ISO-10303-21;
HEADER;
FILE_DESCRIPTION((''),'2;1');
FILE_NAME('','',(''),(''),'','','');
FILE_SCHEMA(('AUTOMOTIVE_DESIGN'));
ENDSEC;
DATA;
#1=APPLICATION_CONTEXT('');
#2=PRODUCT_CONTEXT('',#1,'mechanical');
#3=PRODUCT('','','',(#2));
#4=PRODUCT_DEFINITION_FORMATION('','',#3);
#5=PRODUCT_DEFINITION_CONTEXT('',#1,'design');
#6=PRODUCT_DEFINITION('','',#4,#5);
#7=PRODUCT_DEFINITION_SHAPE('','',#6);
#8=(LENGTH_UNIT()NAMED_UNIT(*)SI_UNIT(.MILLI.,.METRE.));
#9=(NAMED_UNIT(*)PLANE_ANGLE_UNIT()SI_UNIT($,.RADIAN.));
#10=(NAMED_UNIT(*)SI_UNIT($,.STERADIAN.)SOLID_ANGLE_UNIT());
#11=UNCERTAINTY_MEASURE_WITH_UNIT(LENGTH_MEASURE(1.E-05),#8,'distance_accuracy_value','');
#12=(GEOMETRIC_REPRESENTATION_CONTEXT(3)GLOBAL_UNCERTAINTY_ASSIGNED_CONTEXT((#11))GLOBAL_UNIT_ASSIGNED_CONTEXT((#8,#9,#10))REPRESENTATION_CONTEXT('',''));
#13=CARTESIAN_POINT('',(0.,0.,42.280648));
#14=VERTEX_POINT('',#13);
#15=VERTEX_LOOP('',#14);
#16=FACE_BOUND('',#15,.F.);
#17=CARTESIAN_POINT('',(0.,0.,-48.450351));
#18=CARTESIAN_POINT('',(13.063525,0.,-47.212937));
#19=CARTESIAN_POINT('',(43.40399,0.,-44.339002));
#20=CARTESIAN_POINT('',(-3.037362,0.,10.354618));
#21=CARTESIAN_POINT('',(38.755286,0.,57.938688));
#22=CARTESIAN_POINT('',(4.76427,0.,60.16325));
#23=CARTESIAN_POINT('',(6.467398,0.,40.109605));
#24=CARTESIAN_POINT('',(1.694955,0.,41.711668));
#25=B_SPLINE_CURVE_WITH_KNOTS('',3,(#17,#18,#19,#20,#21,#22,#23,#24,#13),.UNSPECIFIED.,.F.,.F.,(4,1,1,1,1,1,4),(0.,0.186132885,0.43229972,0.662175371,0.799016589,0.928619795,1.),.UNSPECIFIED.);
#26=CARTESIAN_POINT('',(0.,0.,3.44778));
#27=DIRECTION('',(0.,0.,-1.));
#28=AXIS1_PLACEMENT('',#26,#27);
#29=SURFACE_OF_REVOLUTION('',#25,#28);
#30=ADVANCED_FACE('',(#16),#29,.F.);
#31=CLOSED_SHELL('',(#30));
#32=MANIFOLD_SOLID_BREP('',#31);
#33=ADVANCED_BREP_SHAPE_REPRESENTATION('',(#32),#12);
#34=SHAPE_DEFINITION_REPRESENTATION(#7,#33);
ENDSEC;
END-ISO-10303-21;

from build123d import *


with BuildPart() as f1:
    # F0 (on Front) → F1 (revolve)
    with BuildSketch(Plane.XZ):
        with BuildLine():
            add(Edge.make_bspline(
                [(0, -48.4503507614), (13.0635252822, -47.2129367234), (43.4039904676, -44.3390021054), (-3.0373623196, 10.3546181735), (38.7552863941, 57.938688103), (4.7642697269, 60.1632500777), (6.4673978631, 40.1096049554), (1.694955417, 41.7116677538), (0, 42.2806479037)],
                knots=[0, 0, 0, 0, 0.1861328852, 0.43229972, 0.6621753711, 0.7990165892, 0.9286197948, 1, 1, 1, 1], degree=3))
            Line((0, 42.2806479037), (0, -48.4503507614))
        make_face()
    revolve(axis=Axis((0, 0, 3.4477803856), (0, 0, -1)))


solid = f1.part
